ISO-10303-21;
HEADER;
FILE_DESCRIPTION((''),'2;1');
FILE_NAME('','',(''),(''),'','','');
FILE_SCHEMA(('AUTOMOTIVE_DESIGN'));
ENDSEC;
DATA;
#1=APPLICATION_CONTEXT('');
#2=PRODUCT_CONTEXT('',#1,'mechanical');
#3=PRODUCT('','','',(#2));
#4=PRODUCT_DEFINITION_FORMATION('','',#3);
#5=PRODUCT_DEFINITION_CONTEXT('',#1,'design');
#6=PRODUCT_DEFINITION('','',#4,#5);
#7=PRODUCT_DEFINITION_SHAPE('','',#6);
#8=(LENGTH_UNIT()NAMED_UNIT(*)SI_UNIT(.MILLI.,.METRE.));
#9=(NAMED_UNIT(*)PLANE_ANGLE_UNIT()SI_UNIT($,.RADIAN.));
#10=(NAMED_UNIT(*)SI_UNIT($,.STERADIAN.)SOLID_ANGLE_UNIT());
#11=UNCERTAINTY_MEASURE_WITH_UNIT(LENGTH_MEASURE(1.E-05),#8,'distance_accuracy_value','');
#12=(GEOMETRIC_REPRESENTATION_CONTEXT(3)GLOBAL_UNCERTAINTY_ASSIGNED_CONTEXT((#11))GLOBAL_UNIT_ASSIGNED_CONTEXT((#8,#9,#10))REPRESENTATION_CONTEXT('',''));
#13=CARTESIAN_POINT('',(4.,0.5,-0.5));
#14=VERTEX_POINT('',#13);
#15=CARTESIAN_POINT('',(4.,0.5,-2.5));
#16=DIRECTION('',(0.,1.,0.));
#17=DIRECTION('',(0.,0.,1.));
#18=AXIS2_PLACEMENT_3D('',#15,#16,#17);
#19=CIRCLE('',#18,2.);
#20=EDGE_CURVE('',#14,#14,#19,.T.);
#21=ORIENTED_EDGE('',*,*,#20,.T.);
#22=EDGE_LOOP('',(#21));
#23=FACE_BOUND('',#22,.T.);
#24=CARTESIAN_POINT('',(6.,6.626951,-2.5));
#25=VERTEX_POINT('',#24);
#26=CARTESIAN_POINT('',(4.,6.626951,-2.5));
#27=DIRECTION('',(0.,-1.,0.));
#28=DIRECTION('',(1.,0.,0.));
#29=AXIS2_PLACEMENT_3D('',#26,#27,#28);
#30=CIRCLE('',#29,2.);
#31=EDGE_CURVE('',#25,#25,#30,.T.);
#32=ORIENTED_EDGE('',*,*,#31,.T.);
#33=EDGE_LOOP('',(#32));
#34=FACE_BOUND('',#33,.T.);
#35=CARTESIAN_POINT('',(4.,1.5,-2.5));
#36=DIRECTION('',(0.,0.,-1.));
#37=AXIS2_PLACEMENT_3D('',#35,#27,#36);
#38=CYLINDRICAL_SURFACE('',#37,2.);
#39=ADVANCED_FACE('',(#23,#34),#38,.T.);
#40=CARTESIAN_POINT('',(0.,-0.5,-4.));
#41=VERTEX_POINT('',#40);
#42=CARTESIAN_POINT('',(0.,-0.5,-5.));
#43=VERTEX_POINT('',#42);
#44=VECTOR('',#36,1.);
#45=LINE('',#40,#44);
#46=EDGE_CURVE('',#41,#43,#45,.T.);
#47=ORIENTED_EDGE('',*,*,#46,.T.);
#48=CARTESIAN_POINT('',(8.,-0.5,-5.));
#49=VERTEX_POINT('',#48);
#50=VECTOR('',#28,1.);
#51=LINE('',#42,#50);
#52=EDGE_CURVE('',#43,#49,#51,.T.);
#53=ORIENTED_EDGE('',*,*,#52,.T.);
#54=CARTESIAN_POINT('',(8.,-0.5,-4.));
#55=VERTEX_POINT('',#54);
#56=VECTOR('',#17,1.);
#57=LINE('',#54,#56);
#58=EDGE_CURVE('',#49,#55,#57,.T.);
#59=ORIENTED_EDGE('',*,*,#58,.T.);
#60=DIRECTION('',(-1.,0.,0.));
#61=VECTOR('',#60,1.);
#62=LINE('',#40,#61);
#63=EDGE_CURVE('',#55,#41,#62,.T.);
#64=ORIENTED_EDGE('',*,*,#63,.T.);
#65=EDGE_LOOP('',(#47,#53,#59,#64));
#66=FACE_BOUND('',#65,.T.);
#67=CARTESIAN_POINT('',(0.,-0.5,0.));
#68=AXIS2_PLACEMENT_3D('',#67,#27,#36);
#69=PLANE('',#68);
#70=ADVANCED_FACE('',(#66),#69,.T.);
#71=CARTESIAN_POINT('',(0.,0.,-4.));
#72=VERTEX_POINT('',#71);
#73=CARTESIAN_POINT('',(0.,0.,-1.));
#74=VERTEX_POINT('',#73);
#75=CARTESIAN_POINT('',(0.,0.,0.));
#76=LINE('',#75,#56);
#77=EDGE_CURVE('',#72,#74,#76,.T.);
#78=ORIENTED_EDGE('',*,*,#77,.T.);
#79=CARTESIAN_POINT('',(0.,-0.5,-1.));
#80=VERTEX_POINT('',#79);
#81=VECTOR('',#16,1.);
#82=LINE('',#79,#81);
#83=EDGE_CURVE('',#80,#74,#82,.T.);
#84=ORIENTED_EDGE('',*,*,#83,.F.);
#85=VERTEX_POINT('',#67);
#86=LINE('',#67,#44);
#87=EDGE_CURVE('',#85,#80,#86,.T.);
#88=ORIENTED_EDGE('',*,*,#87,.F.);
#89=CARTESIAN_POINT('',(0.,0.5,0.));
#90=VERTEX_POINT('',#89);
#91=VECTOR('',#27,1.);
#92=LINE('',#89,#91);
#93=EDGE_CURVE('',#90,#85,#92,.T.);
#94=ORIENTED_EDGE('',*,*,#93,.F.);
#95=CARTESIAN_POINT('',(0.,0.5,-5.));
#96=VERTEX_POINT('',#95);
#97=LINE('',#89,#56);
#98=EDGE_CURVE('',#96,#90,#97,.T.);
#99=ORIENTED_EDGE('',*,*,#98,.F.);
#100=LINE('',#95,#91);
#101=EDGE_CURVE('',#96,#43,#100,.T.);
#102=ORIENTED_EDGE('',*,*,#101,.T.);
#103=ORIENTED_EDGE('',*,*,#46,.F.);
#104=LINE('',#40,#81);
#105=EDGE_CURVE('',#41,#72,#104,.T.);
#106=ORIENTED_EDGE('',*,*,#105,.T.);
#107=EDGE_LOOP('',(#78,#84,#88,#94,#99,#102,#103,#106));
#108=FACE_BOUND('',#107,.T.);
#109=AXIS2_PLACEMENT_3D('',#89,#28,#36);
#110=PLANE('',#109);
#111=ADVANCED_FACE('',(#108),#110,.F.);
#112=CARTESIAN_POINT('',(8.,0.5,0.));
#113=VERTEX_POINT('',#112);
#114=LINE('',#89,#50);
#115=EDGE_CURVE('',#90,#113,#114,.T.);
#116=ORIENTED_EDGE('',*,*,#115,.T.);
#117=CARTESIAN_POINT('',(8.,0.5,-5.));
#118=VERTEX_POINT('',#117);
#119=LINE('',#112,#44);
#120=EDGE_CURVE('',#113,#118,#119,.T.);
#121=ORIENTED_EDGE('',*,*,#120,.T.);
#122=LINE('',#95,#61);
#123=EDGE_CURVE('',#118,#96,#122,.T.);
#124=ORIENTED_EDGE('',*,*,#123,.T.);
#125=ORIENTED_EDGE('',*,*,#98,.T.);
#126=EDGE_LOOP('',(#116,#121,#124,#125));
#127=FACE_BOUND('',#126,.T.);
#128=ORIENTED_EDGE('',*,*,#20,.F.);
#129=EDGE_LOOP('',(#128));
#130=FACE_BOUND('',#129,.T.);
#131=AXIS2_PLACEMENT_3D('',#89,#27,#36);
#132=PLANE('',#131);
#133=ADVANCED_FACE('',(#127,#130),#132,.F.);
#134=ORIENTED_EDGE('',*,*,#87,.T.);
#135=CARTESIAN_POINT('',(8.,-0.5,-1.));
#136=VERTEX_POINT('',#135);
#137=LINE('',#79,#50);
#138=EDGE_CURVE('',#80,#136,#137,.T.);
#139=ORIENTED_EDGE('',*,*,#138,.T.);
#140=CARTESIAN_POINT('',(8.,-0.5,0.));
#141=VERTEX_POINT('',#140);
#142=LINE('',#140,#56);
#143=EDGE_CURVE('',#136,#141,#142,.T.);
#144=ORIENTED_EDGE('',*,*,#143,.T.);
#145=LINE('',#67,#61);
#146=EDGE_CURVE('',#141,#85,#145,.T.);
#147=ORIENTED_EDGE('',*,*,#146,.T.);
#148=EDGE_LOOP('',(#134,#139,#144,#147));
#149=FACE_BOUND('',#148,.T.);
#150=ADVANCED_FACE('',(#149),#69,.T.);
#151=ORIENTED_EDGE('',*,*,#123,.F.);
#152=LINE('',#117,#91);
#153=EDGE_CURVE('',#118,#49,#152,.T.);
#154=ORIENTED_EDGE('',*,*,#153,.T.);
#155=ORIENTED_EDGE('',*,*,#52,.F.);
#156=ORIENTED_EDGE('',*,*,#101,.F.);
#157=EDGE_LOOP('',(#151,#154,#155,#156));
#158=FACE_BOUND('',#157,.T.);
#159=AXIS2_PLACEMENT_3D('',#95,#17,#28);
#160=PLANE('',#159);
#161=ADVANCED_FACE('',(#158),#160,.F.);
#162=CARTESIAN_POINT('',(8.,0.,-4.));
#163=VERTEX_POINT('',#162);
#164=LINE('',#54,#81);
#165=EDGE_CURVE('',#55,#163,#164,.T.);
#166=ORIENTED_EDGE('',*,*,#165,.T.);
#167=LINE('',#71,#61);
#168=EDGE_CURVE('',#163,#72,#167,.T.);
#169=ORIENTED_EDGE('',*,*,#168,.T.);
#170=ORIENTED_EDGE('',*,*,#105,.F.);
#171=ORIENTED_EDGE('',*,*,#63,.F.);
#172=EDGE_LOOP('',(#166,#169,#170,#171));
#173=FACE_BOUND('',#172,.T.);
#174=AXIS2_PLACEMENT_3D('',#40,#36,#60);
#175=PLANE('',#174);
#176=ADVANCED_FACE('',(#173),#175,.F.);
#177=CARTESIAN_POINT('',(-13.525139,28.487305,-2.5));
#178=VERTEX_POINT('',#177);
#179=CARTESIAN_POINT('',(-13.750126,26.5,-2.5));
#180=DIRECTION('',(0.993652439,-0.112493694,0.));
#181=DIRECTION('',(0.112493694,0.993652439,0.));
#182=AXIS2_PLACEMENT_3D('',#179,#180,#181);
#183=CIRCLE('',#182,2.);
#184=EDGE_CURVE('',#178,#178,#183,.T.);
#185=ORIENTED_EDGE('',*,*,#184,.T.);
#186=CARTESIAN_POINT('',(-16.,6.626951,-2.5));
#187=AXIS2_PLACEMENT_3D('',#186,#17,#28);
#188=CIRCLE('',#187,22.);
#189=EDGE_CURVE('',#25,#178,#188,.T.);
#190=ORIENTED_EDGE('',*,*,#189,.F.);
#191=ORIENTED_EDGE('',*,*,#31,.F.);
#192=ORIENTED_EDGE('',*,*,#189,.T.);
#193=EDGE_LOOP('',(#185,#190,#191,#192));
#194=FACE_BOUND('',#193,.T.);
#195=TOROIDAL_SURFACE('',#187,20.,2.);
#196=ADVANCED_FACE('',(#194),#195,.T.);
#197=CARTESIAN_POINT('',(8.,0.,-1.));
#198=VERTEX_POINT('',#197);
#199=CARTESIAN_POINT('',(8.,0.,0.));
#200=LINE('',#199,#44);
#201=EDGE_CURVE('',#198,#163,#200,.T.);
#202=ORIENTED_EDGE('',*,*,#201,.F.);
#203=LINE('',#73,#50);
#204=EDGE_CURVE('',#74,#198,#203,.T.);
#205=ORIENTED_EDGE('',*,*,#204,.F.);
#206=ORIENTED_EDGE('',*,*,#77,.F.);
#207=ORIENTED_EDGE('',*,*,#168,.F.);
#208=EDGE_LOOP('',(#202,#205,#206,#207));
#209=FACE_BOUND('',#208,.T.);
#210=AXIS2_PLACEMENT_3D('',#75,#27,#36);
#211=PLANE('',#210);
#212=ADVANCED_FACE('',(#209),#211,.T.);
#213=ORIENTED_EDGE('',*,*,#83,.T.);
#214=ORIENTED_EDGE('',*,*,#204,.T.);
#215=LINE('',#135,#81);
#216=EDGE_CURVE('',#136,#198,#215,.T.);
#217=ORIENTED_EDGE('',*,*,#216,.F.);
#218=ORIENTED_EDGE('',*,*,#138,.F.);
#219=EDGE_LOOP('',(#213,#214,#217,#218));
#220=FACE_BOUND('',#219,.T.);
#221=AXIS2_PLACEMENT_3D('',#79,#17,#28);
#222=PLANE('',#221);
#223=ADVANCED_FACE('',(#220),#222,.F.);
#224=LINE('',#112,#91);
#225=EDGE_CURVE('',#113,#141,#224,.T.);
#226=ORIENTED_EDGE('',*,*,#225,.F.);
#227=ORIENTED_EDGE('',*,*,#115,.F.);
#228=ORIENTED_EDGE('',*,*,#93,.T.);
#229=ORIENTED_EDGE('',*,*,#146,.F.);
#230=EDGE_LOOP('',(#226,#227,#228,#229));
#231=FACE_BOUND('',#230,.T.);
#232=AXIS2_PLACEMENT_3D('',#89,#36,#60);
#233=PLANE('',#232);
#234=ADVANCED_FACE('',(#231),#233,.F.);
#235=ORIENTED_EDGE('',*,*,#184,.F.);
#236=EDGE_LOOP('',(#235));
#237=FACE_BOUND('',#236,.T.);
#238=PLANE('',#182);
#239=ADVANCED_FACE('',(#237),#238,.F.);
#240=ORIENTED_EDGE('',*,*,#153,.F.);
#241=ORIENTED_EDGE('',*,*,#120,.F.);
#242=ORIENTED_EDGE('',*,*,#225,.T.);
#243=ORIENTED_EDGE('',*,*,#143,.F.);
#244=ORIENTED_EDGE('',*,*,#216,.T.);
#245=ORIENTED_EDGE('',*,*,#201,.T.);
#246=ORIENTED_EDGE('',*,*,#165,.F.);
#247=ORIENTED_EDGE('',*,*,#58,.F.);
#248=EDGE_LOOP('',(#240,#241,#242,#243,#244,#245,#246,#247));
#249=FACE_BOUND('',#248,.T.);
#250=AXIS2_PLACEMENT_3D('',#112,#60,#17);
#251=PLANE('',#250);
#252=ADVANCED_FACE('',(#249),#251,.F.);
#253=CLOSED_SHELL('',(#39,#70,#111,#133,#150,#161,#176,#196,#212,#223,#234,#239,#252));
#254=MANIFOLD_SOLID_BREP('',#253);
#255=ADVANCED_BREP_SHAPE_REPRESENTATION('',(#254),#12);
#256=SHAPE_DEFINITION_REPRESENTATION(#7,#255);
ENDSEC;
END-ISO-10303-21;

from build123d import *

# Parameters (mm, degrees)
SKETCH1_W           = 8
SKETCH1_H           = 5
BOSS_EXTRUDE1_DEPTH = 0.5
SKETCH2_W           = 8
SKETCH2_H           = 1
BOSS_EXTRUDE2_DEPTH = 0.5
SKETCH3_R           = 2
BOSS_EXTRUDE3_DEPTH = 1
SWEEP5_PROFILE_R    = 2


with BuildPart() as part:
    # Sketch1 → Boss-Extrude1 (new body)
    with BuildSketch(Plane(origin=(0, 0, 0), x_dir=(1, 0, 0), z_dir=(0, 1, 0))):
        with Locations((4, 2.5)):
            Rectangle(SKETCH1_W, SKETCH1_H)
    extrude(amount=BOSS_EXTRUDE1_DEPTH)

    # Sketch2 → Boss-Extrude2 (add)
    with BuildSketch(Plane.XZ):
        with Locations((4, -0.5)):
            Rectangle(SKETCH2_W, SKETCH2_H)
        with Locations((4, -4.5)):
            Rectangle(SKETCH2_W, SKETCH2_H)
    extrude(amount=BOSS_EXTRUDE2_DEPTH)

    # Sketch3 → Boss-Extrude3 (add)
    with BuildSketch(Plane(origin=(0, 0.5, 0), x_dir=(1, 0, 0), z_dir=(0, 1, 0))):
        with Locations((4, 2.5)):
            Circle(SKETCH3_R)
    extrude(amount=BOSS_EXTRUDE3_DEPTH)

    # Sweep5: sweep along a path in Sketch6
    with BuildLine(Plane.XY.offset(-2.5)) as sweep5_path:
        Line((4, 1.5), (4, 6.626951227))
        ThreePointArc((4, 6.626951227), (-1.083608385, 19.949911153), (-13.750126119, 26.5))
    # Sweep5 profile (on start of the path) → Sweep5 (sweep)
    with BuildSketch(Plane(origin=(4, 1.5, -2.5), x_dir=(1, 0, 0), z_dir=(0, 1, 0))):
        Circle(SWEEP5_PROFILE_R)
    sweep(path=sweep5_path.line)


solid = part.part
